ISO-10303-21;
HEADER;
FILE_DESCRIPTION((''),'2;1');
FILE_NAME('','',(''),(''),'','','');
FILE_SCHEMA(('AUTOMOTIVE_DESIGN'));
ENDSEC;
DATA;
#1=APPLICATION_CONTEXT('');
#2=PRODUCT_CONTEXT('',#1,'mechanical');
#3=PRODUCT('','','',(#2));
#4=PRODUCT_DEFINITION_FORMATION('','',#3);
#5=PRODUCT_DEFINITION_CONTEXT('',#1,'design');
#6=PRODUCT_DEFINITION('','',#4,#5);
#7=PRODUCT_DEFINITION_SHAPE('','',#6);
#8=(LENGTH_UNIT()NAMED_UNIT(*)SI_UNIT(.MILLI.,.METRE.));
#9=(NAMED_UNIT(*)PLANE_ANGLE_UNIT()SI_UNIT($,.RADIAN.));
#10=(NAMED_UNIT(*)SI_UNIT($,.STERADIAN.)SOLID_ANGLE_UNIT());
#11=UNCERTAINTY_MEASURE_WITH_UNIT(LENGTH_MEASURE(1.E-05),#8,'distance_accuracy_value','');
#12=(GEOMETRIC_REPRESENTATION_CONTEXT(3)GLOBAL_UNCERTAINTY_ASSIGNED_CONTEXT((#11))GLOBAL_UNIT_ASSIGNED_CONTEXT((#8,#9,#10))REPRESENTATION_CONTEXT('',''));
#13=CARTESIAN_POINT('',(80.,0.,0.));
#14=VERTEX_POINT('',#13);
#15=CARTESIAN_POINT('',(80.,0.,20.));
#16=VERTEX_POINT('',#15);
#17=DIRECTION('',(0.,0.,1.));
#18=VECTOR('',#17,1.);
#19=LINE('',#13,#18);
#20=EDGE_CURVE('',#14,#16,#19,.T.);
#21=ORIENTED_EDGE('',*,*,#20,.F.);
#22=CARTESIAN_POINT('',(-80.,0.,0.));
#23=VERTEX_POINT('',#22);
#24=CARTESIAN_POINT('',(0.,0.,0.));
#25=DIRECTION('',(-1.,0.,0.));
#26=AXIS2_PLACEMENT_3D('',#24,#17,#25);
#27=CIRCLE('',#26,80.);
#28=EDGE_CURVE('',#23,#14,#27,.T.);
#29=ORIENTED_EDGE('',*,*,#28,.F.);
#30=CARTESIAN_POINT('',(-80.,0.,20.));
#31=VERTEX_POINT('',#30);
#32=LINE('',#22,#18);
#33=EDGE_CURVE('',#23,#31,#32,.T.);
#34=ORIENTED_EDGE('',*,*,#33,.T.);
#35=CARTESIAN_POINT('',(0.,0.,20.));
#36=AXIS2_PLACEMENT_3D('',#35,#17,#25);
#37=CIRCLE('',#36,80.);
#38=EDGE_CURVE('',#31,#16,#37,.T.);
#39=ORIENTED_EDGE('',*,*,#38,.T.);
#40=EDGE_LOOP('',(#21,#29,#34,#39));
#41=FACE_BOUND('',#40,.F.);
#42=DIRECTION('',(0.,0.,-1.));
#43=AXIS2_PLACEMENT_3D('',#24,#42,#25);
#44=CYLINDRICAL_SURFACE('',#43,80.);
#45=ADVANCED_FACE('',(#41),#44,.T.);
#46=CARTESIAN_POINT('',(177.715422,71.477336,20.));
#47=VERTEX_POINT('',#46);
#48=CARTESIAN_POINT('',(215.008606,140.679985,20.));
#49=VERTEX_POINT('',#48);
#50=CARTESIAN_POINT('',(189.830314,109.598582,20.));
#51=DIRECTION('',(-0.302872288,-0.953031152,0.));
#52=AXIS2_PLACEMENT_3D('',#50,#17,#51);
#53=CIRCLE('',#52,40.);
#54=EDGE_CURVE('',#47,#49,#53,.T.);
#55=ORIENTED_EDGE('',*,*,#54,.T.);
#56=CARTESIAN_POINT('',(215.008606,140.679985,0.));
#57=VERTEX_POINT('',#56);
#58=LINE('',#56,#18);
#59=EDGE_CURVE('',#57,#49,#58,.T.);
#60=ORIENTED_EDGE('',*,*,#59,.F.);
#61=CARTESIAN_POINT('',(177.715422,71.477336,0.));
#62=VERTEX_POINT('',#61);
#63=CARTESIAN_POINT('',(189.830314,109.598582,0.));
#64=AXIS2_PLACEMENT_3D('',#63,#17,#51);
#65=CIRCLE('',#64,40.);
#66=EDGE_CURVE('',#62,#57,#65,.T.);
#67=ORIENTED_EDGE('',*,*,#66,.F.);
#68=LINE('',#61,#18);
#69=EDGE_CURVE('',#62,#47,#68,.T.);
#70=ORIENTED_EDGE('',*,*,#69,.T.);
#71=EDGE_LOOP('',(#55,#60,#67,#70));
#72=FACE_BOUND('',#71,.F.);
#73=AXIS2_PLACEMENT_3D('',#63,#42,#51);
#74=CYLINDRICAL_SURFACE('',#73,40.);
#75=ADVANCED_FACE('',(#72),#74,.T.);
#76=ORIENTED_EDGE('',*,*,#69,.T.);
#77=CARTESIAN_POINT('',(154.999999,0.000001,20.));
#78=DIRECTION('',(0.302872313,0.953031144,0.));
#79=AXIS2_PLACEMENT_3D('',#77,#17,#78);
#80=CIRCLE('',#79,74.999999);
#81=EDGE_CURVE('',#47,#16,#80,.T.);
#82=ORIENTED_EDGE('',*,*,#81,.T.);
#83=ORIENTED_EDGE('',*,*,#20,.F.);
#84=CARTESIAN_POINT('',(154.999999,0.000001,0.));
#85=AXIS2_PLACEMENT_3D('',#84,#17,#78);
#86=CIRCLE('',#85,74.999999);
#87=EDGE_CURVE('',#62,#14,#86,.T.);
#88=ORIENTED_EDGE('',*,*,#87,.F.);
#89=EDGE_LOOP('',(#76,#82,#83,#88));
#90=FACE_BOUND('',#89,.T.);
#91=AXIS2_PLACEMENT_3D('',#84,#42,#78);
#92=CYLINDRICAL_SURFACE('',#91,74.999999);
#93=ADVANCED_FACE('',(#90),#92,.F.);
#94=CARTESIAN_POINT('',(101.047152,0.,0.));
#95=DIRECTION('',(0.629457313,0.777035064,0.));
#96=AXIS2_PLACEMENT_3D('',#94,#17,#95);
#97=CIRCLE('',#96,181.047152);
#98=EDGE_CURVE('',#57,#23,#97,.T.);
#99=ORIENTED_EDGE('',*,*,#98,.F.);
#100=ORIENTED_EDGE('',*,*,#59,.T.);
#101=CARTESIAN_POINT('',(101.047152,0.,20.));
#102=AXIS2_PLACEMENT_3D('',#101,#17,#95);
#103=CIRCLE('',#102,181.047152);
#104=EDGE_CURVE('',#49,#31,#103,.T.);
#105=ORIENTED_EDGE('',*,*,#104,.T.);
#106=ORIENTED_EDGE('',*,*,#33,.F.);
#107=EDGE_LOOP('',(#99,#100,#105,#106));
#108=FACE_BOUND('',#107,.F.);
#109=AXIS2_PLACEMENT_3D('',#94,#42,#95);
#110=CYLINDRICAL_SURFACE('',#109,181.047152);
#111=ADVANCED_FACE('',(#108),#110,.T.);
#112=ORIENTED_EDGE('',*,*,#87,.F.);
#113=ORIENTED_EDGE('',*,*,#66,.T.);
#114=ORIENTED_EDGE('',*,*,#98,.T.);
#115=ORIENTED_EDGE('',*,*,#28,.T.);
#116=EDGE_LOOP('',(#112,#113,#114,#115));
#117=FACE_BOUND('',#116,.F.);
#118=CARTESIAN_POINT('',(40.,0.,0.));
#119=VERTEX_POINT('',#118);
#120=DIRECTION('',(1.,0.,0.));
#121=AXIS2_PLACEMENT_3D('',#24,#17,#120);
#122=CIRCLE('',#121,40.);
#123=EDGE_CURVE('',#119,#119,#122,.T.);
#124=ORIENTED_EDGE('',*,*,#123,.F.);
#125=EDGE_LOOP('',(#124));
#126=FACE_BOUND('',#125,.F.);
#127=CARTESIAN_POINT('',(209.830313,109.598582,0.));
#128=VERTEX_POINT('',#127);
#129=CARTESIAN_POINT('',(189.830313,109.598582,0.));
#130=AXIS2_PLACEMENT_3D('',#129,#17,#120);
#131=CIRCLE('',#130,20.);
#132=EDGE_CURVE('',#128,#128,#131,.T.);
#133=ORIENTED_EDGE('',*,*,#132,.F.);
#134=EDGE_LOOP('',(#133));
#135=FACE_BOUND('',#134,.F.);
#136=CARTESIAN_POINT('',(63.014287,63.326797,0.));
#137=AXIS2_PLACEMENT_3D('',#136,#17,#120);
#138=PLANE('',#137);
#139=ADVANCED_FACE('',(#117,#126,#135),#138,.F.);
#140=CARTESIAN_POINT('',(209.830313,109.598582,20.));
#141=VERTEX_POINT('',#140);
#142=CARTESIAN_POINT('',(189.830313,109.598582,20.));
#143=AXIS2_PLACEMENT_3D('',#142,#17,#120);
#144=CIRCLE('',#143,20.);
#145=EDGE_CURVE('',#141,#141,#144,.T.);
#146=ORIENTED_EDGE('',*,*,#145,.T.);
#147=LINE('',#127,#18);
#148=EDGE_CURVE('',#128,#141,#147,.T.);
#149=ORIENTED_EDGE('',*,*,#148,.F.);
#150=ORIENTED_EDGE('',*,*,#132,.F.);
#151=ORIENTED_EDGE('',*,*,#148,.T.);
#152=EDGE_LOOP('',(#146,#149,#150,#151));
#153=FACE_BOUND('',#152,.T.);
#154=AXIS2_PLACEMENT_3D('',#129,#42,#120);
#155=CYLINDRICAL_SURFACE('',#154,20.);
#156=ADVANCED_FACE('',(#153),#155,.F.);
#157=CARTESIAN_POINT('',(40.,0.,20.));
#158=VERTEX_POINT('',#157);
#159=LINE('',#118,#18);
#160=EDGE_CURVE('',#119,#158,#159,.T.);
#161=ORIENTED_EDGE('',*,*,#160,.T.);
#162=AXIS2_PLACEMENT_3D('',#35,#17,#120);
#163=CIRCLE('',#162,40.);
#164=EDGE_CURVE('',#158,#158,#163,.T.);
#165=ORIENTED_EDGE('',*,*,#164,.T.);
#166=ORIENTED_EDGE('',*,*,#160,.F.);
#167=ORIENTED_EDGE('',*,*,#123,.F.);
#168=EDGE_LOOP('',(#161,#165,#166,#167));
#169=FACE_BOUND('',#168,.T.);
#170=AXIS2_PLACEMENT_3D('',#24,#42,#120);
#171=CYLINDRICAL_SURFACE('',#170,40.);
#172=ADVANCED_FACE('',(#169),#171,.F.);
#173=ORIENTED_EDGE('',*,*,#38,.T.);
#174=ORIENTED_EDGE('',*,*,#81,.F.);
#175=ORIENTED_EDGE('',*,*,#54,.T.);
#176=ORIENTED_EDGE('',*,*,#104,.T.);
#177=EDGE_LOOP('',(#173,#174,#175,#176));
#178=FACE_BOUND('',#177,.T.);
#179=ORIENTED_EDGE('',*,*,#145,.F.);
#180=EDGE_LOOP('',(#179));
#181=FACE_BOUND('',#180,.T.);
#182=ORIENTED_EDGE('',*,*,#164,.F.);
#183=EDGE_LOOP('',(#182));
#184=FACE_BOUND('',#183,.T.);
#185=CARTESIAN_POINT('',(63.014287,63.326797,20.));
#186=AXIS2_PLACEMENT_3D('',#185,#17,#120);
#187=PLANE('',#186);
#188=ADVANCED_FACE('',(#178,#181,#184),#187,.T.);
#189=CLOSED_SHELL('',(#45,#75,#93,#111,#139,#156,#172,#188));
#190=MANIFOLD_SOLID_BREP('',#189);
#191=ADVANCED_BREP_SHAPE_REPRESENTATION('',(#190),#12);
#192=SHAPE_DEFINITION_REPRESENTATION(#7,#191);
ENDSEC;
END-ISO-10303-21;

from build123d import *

# Parameters (mm, degrees)
SKETCH_R   = 40
SKETCH_R_2 = 20
PAD_DEPTH  = 20


with BuildPart() as part:
    # Sketch → Pad (new body)
    with BuildSketch(Plane.XY):
        with BuildLine():
            ThreePointArc((-80, 0), (0, -80), (80, 0))
            ThreePointArc((177.715422, 71.477336), (110.720527, 60.533696), (80, 0))
            ThreePointArc((177.715422, 71.477336), (225.042737, 90.62267), (215.008606, 140.679985))
            ThreePointArc((215.008606, 140.679985), (23.118741, 163.417361), (-80, 0))
        make_face()
        Circle(SKETCH_R, mode=Mode.SUBTRACT)
        with Locations((189.830313, 109.598582)):
            Circle(SKETCH_R_2, mode=Mode.SUBTRACT)
    extrude(amount=PAD_DEPTH)


solid = part.part
